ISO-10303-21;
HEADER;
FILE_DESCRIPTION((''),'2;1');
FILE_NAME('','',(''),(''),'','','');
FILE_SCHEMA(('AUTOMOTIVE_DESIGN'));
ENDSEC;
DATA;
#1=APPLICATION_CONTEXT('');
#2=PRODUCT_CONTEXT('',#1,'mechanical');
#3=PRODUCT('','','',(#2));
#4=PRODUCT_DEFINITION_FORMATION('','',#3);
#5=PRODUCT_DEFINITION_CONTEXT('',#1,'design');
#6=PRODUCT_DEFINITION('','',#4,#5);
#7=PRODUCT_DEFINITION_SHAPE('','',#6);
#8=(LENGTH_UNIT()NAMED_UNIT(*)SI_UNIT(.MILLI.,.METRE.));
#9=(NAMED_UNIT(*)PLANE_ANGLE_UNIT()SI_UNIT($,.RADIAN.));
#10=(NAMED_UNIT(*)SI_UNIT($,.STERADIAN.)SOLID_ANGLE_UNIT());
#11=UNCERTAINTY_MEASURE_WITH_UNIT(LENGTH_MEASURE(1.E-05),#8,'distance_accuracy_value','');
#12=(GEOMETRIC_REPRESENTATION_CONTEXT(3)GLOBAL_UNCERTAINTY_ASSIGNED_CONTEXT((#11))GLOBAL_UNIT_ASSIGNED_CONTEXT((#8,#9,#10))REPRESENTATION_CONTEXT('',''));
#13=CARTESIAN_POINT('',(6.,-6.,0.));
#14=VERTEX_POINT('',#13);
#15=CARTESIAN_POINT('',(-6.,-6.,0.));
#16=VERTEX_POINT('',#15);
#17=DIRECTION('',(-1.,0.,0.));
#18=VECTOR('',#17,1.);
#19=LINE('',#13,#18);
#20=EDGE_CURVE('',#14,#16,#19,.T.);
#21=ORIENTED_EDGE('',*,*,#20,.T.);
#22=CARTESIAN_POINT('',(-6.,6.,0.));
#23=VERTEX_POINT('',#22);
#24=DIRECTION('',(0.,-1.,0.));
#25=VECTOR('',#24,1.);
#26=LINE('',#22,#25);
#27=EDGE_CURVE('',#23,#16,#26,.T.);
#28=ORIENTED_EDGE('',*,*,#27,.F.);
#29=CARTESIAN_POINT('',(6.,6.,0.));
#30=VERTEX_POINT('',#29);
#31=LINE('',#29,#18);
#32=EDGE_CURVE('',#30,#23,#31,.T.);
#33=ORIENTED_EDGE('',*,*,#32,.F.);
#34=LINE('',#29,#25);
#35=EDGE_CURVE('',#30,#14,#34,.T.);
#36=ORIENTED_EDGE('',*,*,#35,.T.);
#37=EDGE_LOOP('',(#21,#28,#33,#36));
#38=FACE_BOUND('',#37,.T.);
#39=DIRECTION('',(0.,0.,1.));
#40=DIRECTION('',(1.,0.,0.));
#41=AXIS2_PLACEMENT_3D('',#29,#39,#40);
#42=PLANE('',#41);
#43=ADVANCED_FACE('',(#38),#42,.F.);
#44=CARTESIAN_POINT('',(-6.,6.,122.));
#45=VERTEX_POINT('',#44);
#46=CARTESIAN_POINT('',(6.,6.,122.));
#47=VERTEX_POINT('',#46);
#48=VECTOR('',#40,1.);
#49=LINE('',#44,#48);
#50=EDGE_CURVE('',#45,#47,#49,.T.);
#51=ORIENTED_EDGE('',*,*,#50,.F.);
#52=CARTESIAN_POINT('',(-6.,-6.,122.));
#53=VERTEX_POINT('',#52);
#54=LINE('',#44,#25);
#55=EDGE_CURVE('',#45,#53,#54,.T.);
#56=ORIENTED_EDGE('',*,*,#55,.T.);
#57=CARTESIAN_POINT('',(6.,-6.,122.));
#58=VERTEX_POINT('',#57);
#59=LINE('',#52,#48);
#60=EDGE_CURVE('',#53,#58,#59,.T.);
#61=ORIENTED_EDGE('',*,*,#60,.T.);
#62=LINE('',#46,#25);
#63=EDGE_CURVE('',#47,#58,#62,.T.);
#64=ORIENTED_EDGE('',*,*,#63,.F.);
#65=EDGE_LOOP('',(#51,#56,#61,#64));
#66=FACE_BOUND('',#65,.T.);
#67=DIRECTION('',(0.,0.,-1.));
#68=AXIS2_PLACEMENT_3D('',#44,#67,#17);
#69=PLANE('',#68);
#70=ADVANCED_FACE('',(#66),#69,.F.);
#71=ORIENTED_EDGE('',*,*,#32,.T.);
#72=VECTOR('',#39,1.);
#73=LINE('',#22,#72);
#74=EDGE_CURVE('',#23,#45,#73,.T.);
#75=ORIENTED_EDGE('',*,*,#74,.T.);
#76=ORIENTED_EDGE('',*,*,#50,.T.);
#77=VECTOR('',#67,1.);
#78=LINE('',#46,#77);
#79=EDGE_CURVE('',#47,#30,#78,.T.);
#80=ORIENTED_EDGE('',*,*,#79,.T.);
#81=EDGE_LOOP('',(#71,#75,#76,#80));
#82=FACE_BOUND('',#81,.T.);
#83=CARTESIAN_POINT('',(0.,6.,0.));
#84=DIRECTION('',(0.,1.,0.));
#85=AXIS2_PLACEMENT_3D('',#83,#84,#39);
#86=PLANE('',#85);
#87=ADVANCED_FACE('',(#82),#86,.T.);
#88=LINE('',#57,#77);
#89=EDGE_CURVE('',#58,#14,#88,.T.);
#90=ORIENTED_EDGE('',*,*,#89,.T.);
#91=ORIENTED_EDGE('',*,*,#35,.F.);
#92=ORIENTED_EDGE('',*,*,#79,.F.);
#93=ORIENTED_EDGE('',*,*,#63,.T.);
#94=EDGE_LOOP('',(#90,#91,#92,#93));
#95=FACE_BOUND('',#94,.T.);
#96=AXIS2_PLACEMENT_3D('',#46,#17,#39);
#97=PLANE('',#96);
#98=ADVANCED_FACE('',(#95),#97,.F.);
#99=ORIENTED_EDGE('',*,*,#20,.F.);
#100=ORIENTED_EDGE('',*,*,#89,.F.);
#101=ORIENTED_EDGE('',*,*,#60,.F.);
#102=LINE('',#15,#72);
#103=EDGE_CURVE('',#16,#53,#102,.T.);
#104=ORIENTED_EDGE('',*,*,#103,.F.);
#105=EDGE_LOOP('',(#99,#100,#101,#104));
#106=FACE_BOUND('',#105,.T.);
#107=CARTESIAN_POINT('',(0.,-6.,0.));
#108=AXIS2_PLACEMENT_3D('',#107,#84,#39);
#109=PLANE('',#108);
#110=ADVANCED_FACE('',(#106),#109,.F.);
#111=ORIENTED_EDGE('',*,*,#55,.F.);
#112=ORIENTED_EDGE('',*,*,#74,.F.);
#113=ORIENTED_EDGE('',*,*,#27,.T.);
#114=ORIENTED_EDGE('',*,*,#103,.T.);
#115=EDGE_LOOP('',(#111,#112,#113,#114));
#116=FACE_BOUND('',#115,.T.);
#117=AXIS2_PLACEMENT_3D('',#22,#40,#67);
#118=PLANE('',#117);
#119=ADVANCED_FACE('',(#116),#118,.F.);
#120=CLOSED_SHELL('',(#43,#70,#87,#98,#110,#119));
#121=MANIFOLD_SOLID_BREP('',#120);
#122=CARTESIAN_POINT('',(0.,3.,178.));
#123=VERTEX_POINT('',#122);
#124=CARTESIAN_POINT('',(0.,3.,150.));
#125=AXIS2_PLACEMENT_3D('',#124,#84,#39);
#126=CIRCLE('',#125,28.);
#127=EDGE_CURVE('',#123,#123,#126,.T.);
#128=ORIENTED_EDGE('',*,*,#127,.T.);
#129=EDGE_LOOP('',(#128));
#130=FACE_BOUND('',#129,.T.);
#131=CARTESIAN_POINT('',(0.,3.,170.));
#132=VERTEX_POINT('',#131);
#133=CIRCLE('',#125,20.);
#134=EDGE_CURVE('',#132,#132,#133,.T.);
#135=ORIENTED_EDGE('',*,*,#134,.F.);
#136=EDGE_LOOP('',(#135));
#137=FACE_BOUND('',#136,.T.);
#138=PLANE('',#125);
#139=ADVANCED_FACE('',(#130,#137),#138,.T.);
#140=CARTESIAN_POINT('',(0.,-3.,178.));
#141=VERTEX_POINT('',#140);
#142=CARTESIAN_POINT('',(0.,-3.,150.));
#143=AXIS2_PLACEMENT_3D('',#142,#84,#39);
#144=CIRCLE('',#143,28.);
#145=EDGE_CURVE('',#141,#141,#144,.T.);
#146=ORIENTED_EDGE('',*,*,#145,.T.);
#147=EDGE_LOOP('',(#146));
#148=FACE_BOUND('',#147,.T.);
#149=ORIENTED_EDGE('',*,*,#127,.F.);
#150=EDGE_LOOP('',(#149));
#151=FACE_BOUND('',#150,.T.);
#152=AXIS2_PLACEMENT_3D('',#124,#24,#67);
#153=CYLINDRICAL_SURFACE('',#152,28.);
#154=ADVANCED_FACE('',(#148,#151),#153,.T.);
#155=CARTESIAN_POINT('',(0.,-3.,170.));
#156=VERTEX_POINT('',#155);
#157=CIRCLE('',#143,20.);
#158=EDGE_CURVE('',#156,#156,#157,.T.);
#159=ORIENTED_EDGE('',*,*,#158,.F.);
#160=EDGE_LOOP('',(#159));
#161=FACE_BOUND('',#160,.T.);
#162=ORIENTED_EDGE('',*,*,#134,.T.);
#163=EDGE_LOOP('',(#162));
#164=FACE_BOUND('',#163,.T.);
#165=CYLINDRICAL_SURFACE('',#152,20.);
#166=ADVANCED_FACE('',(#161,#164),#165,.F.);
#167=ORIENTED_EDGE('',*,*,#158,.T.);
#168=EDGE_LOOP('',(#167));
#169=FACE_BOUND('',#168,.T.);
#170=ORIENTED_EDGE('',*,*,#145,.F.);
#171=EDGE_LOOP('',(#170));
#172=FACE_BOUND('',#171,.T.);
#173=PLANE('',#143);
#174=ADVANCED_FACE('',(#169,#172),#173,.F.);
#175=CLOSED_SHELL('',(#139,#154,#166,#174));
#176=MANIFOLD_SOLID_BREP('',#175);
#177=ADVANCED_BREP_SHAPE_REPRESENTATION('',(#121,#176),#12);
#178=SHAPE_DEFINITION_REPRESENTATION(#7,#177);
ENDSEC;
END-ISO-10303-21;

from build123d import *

# Parameters (mm, degrees)
SKETCH1_R    = 28
SKETCH1_R_2  = 20
RING_DEPTH   = 6
SKETCH2_W    = 12
SKETCH2_H    = 122
HANDLE_DEPTH = 12


with BuildPart() as part:
    # Sketch1 → Ring (new body)
    with BuildSketch(Plane(origin=(0, -3, 0), x_dir=(1, 0, 0), z_dir=(0, 1, 0))):
        with Locations(Location((0, -150, 0), (0, 0, 270))):
            Circle(SKETCH1_R)
        with Locations(Location((0, -150, 0), (0, 0, 270))):
            Circle(SKETCH1_R_2, mode=Mode.SUBTRACT)
    extrude(amount=RING_DEPTH)


with BuildPart() as body_2:
    # Sketch2 → Handle (new body)
    with BuildSketch(Plane(origin=(0, -6, 0), x_dir=(1, 0, 0), z_dir=(0, 1, 0))):
        with Locations((0, -61)):
            Rectangle(SKETCH2_W, SKETCH2_H)
    extrude(amount=HANDLE_DEPTH)


solid = Compound([part.part, body_2.part])
